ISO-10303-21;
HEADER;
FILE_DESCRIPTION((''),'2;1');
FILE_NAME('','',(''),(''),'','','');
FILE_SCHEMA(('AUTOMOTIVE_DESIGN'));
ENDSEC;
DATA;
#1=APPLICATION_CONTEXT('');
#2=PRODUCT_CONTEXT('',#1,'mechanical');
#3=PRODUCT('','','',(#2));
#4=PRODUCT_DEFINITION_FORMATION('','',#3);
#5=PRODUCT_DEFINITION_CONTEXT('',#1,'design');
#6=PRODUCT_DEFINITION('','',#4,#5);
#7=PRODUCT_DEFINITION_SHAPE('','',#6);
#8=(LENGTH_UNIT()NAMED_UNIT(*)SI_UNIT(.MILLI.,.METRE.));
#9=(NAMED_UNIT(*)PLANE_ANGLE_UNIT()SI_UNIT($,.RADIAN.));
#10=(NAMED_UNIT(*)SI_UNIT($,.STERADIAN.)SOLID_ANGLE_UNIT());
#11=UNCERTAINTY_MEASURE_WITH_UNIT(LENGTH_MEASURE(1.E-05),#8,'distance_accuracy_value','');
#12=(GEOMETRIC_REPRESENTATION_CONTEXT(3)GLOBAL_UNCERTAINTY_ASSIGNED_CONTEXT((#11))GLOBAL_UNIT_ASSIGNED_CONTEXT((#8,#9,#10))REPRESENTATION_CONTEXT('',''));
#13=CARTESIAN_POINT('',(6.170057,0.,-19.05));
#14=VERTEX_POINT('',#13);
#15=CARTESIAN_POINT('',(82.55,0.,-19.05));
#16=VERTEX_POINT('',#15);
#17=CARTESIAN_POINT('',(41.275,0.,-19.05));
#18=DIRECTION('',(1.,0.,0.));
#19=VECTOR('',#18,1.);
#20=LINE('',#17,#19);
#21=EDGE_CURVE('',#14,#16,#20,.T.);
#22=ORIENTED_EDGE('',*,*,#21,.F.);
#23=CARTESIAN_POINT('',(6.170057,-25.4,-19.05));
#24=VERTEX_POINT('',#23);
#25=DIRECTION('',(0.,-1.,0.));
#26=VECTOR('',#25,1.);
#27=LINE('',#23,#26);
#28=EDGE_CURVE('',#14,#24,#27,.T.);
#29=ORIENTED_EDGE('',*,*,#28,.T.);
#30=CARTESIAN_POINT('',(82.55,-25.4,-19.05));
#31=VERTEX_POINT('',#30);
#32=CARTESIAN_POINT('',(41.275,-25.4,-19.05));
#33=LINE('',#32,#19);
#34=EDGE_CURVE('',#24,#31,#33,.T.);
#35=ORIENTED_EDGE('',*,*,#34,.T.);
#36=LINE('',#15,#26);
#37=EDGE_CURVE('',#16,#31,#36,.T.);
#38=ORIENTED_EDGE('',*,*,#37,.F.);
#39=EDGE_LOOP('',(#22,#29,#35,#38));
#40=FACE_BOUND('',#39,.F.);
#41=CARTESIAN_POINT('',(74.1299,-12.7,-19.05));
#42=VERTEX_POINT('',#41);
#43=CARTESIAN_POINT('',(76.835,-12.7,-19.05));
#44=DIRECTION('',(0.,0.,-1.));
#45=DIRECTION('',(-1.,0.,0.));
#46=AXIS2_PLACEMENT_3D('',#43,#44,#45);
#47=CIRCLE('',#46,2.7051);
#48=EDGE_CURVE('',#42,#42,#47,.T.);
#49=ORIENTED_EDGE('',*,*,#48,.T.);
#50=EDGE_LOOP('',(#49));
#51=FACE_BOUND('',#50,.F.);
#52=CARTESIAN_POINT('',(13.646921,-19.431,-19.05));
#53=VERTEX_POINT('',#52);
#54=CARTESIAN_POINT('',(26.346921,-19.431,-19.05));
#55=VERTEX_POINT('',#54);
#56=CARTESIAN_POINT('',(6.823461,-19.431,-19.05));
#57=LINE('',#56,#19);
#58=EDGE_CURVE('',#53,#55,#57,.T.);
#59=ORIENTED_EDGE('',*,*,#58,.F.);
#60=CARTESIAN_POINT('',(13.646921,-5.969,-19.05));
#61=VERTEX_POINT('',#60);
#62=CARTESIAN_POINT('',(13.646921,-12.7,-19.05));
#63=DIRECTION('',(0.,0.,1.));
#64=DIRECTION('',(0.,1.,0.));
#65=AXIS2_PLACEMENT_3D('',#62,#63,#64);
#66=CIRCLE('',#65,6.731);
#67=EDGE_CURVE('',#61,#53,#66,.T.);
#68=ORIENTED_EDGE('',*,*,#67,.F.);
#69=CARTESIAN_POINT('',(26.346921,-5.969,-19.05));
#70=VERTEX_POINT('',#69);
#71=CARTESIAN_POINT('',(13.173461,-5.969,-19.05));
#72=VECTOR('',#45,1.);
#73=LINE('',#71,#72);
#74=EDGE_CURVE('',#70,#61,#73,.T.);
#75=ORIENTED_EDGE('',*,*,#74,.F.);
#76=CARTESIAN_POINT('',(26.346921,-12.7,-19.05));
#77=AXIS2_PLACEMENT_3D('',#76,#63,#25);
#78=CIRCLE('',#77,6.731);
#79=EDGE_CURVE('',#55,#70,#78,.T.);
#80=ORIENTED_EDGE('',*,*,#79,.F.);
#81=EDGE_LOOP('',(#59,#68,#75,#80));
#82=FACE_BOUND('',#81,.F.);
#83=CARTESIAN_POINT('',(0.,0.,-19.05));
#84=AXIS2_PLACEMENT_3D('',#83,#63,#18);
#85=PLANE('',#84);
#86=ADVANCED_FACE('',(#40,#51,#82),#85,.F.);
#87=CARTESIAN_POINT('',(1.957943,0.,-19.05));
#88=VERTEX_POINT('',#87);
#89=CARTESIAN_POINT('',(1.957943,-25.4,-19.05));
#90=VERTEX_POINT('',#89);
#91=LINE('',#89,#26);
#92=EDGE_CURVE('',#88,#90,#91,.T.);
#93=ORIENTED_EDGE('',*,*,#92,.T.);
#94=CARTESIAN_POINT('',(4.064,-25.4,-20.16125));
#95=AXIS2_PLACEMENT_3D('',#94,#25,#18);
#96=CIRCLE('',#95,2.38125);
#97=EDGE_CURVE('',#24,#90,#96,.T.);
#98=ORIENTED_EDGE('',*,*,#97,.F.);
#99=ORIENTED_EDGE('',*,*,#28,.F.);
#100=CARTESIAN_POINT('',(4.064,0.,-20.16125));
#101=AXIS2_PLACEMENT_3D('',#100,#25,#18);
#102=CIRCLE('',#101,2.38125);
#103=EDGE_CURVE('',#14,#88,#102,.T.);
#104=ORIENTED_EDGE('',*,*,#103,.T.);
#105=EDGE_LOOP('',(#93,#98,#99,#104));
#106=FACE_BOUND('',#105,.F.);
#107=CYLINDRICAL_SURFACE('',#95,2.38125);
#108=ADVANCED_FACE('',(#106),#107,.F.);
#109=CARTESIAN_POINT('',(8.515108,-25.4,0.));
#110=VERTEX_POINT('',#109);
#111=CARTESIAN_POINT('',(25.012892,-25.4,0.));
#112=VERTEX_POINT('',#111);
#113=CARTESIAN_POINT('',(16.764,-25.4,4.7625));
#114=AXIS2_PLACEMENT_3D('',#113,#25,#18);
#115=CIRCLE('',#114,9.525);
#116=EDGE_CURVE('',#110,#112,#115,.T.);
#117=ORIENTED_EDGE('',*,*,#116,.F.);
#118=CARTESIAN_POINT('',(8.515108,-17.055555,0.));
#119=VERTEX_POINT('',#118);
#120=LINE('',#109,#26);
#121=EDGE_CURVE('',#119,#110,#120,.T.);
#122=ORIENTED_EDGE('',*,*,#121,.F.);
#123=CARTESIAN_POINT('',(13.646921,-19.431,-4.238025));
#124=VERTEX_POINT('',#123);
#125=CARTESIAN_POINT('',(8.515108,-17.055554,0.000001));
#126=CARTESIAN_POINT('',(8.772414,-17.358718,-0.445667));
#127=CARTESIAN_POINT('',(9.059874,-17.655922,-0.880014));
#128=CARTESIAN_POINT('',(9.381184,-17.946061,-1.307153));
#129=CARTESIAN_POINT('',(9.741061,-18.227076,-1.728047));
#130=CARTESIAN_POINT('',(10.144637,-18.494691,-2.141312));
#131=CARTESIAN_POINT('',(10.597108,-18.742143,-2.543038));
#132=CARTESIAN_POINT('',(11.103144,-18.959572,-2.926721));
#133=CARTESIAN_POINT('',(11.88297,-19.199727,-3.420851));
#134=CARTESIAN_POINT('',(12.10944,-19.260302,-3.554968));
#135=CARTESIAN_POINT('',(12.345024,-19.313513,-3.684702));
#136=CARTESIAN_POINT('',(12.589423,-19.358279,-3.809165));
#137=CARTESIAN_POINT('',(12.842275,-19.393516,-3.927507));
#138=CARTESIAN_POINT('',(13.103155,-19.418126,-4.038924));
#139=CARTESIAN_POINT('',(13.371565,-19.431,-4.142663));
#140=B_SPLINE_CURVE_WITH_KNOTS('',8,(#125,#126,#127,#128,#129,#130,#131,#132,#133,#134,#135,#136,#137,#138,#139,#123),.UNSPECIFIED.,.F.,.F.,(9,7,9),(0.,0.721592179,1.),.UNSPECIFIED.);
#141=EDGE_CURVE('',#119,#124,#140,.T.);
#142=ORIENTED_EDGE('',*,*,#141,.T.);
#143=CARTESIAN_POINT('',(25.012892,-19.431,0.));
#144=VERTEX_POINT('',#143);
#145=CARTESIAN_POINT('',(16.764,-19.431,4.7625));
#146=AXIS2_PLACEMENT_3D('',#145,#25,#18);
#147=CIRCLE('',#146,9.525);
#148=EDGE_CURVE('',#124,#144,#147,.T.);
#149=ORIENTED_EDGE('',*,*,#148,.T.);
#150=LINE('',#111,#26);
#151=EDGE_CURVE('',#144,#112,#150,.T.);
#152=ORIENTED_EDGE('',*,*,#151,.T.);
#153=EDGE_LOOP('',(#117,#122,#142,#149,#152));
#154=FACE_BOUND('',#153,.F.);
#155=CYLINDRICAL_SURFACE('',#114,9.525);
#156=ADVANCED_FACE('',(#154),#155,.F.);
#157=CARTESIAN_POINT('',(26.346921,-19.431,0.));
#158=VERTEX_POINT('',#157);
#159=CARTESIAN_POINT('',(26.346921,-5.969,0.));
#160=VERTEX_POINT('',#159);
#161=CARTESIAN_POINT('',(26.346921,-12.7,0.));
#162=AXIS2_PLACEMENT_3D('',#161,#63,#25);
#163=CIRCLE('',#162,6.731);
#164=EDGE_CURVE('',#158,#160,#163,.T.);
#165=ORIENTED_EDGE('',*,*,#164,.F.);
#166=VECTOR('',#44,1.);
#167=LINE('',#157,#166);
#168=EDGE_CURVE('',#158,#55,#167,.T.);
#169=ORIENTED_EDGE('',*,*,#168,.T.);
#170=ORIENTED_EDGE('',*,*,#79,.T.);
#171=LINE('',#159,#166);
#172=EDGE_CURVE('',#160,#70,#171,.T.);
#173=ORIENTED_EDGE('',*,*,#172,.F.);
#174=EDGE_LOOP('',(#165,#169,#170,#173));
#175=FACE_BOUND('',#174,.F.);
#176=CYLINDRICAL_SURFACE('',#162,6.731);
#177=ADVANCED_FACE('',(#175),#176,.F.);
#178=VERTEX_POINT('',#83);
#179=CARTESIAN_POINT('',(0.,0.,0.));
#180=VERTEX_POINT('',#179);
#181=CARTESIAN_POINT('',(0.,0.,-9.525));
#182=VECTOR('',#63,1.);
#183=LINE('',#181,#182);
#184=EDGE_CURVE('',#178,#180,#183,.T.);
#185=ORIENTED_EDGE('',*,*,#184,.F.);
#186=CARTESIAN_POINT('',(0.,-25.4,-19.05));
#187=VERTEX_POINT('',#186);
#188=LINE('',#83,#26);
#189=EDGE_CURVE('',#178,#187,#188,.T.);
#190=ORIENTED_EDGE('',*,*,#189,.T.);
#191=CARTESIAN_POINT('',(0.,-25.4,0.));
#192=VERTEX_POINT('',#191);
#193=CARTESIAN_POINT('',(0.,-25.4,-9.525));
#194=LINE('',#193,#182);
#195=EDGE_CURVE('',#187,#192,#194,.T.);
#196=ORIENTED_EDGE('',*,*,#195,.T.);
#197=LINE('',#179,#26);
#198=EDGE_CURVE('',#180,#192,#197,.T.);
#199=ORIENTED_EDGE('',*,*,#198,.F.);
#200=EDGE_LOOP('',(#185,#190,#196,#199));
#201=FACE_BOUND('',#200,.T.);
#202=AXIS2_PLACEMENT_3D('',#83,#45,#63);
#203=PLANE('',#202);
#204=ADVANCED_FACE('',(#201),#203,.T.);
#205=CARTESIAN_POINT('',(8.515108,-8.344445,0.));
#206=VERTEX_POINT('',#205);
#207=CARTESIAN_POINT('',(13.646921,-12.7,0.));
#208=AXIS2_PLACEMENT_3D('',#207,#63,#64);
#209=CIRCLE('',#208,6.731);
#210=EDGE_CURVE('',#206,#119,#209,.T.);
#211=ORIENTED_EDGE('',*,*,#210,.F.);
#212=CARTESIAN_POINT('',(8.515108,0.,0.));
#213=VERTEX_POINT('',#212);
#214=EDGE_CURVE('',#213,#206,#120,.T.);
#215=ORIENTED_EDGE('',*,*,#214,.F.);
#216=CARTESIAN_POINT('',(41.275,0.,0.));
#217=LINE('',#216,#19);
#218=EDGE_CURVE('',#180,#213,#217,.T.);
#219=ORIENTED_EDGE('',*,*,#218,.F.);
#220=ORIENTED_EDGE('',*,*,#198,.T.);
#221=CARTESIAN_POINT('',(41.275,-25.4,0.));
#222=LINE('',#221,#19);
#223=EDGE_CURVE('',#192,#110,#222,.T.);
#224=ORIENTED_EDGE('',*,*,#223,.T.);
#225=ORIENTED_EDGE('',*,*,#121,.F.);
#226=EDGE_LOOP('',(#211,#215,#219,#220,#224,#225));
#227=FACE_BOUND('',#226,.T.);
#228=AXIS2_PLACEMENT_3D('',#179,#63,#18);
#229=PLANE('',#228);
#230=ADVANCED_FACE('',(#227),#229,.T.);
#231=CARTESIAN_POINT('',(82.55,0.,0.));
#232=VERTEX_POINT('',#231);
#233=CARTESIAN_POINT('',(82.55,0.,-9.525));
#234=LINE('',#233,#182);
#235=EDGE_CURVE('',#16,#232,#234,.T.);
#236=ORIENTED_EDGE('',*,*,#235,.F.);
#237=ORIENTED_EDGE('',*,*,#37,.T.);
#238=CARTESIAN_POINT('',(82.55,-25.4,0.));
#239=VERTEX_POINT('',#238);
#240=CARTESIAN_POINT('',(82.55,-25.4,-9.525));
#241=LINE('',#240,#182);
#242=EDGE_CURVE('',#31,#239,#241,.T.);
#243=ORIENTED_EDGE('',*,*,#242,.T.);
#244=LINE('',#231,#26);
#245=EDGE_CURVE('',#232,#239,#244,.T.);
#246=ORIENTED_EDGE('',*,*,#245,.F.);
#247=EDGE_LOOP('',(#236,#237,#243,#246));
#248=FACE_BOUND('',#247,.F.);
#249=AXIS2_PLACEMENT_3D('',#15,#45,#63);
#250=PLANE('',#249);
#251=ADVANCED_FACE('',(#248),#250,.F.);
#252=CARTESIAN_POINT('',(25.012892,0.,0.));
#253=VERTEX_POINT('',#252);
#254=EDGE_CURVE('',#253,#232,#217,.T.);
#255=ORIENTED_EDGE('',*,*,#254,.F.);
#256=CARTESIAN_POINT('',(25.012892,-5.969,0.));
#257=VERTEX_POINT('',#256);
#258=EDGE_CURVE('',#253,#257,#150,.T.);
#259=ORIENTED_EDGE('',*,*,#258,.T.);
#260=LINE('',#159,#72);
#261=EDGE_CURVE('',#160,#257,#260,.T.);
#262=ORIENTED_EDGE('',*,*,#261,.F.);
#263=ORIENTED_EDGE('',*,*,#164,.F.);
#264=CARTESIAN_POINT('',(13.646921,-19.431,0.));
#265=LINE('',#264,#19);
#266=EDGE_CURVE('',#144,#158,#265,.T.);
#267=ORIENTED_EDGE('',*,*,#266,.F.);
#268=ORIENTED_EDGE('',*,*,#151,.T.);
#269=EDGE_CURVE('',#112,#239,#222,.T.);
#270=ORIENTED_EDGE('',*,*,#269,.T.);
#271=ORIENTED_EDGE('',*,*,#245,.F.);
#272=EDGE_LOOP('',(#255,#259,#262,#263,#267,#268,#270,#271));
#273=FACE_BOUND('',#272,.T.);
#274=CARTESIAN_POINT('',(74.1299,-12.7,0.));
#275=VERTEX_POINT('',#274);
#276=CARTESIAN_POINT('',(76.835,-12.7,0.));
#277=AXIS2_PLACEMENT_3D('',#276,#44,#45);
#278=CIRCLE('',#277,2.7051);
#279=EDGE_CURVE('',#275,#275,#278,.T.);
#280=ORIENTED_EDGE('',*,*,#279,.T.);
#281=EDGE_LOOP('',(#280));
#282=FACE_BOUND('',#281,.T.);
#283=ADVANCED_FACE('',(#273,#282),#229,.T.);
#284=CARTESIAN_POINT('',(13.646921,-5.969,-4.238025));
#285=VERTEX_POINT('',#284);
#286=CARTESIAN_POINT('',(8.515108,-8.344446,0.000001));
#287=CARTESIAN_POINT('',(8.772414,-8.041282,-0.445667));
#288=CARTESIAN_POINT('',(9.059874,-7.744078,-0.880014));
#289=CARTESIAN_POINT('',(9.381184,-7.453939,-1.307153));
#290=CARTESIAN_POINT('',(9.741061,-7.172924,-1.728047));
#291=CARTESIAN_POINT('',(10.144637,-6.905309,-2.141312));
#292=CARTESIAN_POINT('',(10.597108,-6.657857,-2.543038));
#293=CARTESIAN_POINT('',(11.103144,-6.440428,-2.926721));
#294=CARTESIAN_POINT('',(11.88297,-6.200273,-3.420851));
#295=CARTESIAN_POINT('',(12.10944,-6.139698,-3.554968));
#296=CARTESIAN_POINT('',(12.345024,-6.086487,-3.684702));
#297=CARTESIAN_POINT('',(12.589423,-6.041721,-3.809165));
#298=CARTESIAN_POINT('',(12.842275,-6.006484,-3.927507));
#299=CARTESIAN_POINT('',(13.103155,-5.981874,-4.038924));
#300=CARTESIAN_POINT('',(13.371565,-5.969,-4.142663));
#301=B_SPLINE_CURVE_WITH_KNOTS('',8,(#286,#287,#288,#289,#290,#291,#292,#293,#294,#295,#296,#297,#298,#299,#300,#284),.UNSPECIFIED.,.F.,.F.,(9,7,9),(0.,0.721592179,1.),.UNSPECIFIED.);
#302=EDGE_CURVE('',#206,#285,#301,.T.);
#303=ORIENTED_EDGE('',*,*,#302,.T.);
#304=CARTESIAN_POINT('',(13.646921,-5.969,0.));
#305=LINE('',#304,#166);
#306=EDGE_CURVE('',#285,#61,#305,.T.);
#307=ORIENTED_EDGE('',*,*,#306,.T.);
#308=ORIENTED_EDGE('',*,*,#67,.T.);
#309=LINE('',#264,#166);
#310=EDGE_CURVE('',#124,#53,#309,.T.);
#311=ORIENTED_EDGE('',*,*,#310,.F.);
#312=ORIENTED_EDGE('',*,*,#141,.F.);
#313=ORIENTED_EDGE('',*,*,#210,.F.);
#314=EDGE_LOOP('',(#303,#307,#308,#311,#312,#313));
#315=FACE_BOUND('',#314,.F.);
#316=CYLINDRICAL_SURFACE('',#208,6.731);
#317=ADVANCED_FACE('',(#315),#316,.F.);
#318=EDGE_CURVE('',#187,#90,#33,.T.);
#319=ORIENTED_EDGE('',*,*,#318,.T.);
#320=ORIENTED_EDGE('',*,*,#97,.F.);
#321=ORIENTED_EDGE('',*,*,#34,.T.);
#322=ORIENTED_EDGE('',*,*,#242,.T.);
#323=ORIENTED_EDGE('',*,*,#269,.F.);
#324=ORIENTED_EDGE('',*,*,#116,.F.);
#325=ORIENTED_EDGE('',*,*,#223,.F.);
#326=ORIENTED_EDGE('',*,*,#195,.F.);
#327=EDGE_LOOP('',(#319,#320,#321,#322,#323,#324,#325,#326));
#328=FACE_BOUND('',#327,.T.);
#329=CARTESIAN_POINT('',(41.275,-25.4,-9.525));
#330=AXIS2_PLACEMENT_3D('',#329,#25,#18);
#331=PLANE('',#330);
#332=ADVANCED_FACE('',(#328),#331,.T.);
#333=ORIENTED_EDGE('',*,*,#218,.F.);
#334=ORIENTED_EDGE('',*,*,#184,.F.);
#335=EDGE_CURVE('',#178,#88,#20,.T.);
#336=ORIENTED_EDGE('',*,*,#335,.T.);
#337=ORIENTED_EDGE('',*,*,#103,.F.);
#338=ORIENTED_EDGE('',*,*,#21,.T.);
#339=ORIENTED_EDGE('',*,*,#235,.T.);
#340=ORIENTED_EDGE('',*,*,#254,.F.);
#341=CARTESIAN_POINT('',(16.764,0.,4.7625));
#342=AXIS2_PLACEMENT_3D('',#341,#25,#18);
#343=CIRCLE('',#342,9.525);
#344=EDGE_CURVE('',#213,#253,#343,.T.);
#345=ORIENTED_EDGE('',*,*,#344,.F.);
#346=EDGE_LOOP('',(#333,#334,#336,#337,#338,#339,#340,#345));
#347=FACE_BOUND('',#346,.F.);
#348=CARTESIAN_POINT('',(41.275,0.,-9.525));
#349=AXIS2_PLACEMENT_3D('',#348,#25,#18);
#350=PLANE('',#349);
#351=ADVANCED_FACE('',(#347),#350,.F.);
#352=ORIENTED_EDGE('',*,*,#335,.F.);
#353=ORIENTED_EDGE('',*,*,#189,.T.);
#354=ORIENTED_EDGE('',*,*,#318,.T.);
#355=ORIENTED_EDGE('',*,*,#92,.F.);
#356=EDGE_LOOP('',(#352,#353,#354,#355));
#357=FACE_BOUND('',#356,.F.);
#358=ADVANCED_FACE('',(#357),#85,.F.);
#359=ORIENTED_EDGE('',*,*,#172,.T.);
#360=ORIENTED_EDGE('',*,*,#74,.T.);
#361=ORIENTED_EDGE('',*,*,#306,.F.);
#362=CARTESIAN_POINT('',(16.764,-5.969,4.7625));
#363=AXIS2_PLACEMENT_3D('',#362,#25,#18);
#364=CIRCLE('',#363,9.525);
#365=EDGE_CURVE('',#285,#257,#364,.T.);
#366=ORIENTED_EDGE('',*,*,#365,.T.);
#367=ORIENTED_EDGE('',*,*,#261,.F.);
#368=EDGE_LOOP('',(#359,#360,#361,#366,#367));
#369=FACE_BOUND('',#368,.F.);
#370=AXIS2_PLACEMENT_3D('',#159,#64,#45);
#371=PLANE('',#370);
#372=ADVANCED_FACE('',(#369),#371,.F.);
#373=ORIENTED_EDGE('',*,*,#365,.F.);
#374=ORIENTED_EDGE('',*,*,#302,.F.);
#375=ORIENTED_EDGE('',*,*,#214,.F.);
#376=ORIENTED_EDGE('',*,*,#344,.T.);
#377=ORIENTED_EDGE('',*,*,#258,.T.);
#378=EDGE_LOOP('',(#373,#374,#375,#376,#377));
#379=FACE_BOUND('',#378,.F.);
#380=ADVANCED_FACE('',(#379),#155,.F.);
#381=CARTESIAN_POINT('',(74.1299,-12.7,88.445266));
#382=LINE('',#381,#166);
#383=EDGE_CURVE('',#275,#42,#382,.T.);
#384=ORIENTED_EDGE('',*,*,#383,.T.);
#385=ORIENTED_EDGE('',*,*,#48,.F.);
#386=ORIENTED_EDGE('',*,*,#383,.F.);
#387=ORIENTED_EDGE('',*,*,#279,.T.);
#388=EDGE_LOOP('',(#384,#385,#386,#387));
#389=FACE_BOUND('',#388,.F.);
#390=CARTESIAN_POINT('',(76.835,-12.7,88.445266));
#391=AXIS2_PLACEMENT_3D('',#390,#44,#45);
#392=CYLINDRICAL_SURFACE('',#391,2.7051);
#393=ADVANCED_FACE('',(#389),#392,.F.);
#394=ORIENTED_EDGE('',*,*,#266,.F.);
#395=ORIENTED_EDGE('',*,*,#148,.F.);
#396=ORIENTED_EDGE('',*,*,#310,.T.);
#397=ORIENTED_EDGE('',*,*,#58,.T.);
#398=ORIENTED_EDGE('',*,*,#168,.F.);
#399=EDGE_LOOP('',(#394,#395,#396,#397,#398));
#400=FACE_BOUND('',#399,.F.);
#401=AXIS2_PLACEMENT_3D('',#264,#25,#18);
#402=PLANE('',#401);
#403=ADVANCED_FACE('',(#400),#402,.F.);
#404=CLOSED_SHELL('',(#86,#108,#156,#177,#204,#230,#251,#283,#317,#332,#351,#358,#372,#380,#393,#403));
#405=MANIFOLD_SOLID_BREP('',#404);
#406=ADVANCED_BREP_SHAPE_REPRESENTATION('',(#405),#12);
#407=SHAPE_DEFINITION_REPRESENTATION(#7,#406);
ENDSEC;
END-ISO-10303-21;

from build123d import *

# Parameters (mm, degrees)
F0_W     = 82.55
F0_H     = 19.05
F1_DEPTH = 25.4
F3_DEPTH = 25.4
F4_R     = 9.525
F5_DEPTH = 25.4
F6_R     = 2.38125
F7_DEPTH = 25.4
F9_D     = 5.4102


with BuildPart() as f1:
    # F0 (on Front) → F1 (new body)
    with BuildSketch(Plane.XZ):
        with Locations((41.275, -9.525)):
            Rectangle(F0_W, F0_H)
    extrude(amount=F1_DEPTH)

    # F2 (on face) → F3 (cut)
    with BuildSketch(Plane.XY):
        with BuildLine():
            Line((26.3469211429, -5.969), (13.6469211429, -5.969))
            ThreePointArc((13.6469211429, -5.969), (6.9159211429, -12.7), (13.6469211429, -19.431))
            Line((13.6469211429, -19.431), (26.3469211429, -19.431))
            ThreePointArc((26.3469211429, -19.431), (33.0779211429, -12.7), (26.3469211429, -5.969))
        make_face()
    extrude(amount=-F3_DEPTH, mode=Mode.SUBTRACT)

    # F4 (on face) → F5 (cut)
    with BuildSketch(Plane.XZ.offset(25.4)):
        with Locations((16.764, 4.7625)):
            Circle(F4_R)
    extrude(amount=-F5_DEPTH, mode=Mode.SUBTRACT)

    # F6 (on face) → F7 (cut)
    with BuildSketch(Plane.XZ.offset(25.4)):
        with Locations((4.064, -20.16125)):
            Circle(F6_R)
    extrude(amount=-F7_DEPTH, mode=Mode.SUBTRACT)

    # F9 (through all)
    with Locations(Plane.XY):
        with Locations((76.835, -12.7)):
            Hole(F9_D / 2)


solid = f1.part
